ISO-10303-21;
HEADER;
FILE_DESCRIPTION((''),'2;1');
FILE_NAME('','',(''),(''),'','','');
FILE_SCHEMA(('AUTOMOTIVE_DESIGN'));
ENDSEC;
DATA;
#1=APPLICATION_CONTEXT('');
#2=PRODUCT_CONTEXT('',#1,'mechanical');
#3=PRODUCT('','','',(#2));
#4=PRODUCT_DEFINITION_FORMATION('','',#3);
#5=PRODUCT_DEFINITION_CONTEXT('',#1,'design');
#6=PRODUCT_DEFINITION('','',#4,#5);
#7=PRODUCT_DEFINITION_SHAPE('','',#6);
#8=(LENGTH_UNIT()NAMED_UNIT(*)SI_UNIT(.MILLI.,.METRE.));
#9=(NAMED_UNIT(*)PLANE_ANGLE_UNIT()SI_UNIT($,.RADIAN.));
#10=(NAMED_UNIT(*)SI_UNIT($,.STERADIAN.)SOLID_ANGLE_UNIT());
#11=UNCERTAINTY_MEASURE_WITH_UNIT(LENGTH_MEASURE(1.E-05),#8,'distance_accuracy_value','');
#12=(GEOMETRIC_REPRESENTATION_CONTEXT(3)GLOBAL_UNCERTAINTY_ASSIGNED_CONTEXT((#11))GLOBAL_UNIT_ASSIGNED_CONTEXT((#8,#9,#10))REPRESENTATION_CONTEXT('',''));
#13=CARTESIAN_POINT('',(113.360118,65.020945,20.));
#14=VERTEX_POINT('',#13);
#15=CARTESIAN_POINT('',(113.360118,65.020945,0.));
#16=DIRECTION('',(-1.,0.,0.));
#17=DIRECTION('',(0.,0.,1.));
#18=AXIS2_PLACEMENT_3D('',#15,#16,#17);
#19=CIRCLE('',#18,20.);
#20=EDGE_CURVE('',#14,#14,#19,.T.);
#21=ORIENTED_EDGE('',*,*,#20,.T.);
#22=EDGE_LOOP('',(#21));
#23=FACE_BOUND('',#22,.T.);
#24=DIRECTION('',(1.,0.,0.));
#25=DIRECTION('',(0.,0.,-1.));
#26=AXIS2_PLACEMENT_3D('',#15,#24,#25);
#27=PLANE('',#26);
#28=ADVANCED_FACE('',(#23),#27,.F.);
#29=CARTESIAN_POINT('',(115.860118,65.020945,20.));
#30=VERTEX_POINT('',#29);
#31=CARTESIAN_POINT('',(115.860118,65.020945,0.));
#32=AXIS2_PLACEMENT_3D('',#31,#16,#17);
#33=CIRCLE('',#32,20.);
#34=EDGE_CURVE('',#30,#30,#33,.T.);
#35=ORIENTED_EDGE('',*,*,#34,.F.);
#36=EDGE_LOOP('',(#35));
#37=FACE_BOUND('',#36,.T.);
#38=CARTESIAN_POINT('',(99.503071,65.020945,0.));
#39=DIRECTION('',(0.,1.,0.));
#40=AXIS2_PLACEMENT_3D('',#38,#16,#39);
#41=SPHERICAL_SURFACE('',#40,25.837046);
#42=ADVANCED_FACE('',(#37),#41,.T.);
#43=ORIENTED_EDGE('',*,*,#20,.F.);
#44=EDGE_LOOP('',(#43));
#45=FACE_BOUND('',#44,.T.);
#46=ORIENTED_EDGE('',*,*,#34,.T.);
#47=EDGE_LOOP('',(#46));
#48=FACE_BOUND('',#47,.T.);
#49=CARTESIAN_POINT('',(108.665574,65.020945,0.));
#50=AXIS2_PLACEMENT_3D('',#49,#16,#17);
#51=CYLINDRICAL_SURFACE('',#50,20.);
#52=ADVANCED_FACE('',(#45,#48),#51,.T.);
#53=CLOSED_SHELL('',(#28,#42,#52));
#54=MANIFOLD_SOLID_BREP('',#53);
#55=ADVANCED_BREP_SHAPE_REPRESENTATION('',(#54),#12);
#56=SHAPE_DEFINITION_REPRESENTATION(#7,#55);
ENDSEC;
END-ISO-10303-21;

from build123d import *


with BuildPart() as part:
    # 草图1 → 旋转1 (revolve)
    with BuildSketch(Plane.XY):
        with BuildLine():
            Line((113.360117511, 65.02094538), (113.360117511, 85.02094538))
            Line((113.360117511, 85.02094538), (115.860117511, 85.02094538))
            ThreePointArc((115.860117511, 85.02094538), (122.850134454, 76.087453411), (125.340117511, 65.02094538))
            Line((125.340117511, 65.02094538), (113.360117511, 65.02094538))
        make_face()
    revolve(axis=Axis((108.66557433, 65.02094538, 0), (1, 0, 0)))


solid = part.part
